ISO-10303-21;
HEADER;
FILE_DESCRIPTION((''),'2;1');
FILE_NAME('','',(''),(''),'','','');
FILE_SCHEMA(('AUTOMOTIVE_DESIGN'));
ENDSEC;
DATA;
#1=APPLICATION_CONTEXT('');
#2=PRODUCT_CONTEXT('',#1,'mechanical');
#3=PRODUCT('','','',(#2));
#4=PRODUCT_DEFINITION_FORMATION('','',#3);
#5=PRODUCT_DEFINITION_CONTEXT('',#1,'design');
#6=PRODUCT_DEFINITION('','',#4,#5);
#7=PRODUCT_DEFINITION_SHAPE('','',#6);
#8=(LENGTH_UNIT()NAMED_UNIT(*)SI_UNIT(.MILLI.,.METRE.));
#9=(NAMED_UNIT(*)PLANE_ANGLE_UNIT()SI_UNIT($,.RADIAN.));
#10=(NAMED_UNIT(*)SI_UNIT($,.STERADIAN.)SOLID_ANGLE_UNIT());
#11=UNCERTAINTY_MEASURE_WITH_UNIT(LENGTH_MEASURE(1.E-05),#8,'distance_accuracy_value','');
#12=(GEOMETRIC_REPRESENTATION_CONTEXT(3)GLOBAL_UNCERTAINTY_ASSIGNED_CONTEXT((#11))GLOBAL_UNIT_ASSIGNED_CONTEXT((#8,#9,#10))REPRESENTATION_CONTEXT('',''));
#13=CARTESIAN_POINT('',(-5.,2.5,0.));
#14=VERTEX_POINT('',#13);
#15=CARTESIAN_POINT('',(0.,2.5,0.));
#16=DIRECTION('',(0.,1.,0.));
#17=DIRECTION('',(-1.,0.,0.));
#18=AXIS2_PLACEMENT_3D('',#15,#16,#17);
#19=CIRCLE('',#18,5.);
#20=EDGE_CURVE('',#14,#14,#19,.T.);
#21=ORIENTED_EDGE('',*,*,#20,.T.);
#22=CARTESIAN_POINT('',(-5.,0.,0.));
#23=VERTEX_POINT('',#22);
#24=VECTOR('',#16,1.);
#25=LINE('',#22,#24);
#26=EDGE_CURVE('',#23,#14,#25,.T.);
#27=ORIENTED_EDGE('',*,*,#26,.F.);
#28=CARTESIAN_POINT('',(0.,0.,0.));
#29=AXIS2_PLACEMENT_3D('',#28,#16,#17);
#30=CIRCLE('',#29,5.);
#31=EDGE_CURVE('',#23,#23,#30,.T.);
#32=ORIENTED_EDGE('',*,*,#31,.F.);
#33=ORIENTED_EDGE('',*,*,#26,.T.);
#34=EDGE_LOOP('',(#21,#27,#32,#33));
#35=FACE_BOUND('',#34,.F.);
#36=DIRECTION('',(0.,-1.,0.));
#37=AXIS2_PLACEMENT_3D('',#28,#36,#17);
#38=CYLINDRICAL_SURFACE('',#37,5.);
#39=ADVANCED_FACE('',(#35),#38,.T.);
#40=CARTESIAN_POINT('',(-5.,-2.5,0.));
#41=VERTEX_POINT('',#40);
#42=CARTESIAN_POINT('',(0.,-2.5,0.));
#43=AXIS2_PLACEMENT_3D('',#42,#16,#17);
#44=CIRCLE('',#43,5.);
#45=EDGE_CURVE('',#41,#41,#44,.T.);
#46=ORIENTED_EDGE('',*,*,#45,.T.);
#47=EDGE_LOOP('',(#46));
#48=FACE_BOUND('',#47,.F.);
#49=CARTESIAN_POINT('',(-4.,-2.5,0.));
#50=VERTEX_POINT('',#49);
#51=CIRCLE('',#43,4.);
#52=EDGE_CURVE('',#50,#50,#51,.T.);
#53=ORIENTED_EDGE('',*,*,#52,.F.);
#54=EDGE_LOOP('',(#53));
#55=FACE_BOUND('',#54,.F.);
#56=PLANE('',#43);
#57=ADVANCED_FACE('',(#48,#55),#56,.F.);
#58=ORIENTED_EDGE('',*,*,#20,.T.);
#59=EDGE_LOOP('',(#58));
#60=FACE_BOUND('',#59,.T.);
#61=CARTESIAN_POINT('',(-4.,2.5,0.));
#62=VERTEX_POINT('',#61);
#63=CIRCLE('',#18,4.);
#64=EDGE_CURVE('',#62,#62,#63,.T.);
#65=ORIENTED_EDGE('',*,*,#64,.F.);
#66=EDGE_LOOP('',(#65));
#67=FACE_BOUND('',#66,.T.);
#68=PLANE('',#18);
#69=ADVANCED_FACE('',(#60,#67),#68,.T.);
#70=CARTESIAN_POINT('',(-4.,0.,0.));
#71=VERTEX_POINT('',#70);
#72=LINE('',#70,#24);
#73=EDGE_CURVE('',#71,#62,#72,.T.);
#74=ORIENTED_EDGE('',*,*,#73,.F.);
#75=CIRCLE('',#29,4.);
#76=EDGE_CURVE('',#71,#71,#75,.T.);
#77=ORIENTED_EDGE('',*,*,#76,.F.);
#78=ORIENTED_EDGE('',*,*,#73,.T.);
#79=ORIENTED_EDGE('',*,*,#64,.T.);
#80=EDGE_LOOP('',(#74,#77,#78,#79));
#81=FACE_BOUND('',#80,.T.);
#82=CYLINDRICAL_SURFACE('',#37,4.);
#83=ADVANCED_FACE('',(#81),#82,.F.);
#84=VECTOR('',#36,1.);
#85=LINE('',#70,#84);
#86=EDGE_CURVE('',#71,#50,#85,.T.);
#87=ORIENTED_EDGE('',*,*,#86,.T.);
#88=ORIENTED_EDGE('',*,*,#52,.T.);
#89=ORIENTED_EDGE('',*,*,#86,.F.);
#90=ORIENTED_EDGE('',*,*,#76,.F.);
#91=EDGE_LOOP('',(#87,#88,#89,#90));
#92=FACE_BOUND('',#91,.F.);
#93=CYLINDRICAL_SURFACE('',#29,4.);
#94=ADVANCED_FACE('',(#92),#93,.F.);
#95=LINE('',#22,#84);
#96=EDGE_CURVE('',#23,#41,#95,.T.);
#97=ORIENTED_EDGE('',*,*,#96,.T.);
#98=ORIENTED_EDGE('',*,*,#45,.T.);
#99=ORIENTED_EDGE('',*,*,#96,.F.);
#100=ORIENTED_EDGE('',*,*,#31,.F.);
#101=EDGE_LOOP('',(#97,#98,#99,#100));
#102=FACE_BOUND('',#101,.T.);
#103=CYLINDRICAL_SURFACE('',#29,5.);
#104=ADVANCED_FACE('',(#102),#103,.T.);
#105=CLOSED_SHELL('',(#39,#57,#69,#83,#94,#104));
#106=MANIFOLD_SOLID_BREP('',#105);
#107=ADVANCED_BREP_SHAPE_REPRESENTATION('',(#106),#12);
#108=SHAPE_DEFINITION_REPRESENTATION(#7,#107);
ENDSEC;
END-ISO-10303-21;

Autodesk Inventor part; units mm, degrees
ref_plane "YZ Plane" through (0, 0, 0) normal (1, 0, 0) x (0, 1, 0)
ref_plane "XZ Plane" through (0, 0, 0) normal (0, 1, 0) x (-1, 0, 0)
ref_plane "XY Plane" through (0, 0, 0) normal (0, 0, 1) x (1, 0, 0)
sketch "スケッチ1" plane through (0, 0, 0) normal (0, 1, 0) x (-1, 0, 0)
  circle A0 centre (0, 0) radius 5
  circle A1 centre (0, 0) radius 4
  dimension "d0" = 10
  dimension "d1" = 1
extrude "押し出し1" add sketch "スケッチ1" along normal mid plane 5
properties part number "collar_5"
